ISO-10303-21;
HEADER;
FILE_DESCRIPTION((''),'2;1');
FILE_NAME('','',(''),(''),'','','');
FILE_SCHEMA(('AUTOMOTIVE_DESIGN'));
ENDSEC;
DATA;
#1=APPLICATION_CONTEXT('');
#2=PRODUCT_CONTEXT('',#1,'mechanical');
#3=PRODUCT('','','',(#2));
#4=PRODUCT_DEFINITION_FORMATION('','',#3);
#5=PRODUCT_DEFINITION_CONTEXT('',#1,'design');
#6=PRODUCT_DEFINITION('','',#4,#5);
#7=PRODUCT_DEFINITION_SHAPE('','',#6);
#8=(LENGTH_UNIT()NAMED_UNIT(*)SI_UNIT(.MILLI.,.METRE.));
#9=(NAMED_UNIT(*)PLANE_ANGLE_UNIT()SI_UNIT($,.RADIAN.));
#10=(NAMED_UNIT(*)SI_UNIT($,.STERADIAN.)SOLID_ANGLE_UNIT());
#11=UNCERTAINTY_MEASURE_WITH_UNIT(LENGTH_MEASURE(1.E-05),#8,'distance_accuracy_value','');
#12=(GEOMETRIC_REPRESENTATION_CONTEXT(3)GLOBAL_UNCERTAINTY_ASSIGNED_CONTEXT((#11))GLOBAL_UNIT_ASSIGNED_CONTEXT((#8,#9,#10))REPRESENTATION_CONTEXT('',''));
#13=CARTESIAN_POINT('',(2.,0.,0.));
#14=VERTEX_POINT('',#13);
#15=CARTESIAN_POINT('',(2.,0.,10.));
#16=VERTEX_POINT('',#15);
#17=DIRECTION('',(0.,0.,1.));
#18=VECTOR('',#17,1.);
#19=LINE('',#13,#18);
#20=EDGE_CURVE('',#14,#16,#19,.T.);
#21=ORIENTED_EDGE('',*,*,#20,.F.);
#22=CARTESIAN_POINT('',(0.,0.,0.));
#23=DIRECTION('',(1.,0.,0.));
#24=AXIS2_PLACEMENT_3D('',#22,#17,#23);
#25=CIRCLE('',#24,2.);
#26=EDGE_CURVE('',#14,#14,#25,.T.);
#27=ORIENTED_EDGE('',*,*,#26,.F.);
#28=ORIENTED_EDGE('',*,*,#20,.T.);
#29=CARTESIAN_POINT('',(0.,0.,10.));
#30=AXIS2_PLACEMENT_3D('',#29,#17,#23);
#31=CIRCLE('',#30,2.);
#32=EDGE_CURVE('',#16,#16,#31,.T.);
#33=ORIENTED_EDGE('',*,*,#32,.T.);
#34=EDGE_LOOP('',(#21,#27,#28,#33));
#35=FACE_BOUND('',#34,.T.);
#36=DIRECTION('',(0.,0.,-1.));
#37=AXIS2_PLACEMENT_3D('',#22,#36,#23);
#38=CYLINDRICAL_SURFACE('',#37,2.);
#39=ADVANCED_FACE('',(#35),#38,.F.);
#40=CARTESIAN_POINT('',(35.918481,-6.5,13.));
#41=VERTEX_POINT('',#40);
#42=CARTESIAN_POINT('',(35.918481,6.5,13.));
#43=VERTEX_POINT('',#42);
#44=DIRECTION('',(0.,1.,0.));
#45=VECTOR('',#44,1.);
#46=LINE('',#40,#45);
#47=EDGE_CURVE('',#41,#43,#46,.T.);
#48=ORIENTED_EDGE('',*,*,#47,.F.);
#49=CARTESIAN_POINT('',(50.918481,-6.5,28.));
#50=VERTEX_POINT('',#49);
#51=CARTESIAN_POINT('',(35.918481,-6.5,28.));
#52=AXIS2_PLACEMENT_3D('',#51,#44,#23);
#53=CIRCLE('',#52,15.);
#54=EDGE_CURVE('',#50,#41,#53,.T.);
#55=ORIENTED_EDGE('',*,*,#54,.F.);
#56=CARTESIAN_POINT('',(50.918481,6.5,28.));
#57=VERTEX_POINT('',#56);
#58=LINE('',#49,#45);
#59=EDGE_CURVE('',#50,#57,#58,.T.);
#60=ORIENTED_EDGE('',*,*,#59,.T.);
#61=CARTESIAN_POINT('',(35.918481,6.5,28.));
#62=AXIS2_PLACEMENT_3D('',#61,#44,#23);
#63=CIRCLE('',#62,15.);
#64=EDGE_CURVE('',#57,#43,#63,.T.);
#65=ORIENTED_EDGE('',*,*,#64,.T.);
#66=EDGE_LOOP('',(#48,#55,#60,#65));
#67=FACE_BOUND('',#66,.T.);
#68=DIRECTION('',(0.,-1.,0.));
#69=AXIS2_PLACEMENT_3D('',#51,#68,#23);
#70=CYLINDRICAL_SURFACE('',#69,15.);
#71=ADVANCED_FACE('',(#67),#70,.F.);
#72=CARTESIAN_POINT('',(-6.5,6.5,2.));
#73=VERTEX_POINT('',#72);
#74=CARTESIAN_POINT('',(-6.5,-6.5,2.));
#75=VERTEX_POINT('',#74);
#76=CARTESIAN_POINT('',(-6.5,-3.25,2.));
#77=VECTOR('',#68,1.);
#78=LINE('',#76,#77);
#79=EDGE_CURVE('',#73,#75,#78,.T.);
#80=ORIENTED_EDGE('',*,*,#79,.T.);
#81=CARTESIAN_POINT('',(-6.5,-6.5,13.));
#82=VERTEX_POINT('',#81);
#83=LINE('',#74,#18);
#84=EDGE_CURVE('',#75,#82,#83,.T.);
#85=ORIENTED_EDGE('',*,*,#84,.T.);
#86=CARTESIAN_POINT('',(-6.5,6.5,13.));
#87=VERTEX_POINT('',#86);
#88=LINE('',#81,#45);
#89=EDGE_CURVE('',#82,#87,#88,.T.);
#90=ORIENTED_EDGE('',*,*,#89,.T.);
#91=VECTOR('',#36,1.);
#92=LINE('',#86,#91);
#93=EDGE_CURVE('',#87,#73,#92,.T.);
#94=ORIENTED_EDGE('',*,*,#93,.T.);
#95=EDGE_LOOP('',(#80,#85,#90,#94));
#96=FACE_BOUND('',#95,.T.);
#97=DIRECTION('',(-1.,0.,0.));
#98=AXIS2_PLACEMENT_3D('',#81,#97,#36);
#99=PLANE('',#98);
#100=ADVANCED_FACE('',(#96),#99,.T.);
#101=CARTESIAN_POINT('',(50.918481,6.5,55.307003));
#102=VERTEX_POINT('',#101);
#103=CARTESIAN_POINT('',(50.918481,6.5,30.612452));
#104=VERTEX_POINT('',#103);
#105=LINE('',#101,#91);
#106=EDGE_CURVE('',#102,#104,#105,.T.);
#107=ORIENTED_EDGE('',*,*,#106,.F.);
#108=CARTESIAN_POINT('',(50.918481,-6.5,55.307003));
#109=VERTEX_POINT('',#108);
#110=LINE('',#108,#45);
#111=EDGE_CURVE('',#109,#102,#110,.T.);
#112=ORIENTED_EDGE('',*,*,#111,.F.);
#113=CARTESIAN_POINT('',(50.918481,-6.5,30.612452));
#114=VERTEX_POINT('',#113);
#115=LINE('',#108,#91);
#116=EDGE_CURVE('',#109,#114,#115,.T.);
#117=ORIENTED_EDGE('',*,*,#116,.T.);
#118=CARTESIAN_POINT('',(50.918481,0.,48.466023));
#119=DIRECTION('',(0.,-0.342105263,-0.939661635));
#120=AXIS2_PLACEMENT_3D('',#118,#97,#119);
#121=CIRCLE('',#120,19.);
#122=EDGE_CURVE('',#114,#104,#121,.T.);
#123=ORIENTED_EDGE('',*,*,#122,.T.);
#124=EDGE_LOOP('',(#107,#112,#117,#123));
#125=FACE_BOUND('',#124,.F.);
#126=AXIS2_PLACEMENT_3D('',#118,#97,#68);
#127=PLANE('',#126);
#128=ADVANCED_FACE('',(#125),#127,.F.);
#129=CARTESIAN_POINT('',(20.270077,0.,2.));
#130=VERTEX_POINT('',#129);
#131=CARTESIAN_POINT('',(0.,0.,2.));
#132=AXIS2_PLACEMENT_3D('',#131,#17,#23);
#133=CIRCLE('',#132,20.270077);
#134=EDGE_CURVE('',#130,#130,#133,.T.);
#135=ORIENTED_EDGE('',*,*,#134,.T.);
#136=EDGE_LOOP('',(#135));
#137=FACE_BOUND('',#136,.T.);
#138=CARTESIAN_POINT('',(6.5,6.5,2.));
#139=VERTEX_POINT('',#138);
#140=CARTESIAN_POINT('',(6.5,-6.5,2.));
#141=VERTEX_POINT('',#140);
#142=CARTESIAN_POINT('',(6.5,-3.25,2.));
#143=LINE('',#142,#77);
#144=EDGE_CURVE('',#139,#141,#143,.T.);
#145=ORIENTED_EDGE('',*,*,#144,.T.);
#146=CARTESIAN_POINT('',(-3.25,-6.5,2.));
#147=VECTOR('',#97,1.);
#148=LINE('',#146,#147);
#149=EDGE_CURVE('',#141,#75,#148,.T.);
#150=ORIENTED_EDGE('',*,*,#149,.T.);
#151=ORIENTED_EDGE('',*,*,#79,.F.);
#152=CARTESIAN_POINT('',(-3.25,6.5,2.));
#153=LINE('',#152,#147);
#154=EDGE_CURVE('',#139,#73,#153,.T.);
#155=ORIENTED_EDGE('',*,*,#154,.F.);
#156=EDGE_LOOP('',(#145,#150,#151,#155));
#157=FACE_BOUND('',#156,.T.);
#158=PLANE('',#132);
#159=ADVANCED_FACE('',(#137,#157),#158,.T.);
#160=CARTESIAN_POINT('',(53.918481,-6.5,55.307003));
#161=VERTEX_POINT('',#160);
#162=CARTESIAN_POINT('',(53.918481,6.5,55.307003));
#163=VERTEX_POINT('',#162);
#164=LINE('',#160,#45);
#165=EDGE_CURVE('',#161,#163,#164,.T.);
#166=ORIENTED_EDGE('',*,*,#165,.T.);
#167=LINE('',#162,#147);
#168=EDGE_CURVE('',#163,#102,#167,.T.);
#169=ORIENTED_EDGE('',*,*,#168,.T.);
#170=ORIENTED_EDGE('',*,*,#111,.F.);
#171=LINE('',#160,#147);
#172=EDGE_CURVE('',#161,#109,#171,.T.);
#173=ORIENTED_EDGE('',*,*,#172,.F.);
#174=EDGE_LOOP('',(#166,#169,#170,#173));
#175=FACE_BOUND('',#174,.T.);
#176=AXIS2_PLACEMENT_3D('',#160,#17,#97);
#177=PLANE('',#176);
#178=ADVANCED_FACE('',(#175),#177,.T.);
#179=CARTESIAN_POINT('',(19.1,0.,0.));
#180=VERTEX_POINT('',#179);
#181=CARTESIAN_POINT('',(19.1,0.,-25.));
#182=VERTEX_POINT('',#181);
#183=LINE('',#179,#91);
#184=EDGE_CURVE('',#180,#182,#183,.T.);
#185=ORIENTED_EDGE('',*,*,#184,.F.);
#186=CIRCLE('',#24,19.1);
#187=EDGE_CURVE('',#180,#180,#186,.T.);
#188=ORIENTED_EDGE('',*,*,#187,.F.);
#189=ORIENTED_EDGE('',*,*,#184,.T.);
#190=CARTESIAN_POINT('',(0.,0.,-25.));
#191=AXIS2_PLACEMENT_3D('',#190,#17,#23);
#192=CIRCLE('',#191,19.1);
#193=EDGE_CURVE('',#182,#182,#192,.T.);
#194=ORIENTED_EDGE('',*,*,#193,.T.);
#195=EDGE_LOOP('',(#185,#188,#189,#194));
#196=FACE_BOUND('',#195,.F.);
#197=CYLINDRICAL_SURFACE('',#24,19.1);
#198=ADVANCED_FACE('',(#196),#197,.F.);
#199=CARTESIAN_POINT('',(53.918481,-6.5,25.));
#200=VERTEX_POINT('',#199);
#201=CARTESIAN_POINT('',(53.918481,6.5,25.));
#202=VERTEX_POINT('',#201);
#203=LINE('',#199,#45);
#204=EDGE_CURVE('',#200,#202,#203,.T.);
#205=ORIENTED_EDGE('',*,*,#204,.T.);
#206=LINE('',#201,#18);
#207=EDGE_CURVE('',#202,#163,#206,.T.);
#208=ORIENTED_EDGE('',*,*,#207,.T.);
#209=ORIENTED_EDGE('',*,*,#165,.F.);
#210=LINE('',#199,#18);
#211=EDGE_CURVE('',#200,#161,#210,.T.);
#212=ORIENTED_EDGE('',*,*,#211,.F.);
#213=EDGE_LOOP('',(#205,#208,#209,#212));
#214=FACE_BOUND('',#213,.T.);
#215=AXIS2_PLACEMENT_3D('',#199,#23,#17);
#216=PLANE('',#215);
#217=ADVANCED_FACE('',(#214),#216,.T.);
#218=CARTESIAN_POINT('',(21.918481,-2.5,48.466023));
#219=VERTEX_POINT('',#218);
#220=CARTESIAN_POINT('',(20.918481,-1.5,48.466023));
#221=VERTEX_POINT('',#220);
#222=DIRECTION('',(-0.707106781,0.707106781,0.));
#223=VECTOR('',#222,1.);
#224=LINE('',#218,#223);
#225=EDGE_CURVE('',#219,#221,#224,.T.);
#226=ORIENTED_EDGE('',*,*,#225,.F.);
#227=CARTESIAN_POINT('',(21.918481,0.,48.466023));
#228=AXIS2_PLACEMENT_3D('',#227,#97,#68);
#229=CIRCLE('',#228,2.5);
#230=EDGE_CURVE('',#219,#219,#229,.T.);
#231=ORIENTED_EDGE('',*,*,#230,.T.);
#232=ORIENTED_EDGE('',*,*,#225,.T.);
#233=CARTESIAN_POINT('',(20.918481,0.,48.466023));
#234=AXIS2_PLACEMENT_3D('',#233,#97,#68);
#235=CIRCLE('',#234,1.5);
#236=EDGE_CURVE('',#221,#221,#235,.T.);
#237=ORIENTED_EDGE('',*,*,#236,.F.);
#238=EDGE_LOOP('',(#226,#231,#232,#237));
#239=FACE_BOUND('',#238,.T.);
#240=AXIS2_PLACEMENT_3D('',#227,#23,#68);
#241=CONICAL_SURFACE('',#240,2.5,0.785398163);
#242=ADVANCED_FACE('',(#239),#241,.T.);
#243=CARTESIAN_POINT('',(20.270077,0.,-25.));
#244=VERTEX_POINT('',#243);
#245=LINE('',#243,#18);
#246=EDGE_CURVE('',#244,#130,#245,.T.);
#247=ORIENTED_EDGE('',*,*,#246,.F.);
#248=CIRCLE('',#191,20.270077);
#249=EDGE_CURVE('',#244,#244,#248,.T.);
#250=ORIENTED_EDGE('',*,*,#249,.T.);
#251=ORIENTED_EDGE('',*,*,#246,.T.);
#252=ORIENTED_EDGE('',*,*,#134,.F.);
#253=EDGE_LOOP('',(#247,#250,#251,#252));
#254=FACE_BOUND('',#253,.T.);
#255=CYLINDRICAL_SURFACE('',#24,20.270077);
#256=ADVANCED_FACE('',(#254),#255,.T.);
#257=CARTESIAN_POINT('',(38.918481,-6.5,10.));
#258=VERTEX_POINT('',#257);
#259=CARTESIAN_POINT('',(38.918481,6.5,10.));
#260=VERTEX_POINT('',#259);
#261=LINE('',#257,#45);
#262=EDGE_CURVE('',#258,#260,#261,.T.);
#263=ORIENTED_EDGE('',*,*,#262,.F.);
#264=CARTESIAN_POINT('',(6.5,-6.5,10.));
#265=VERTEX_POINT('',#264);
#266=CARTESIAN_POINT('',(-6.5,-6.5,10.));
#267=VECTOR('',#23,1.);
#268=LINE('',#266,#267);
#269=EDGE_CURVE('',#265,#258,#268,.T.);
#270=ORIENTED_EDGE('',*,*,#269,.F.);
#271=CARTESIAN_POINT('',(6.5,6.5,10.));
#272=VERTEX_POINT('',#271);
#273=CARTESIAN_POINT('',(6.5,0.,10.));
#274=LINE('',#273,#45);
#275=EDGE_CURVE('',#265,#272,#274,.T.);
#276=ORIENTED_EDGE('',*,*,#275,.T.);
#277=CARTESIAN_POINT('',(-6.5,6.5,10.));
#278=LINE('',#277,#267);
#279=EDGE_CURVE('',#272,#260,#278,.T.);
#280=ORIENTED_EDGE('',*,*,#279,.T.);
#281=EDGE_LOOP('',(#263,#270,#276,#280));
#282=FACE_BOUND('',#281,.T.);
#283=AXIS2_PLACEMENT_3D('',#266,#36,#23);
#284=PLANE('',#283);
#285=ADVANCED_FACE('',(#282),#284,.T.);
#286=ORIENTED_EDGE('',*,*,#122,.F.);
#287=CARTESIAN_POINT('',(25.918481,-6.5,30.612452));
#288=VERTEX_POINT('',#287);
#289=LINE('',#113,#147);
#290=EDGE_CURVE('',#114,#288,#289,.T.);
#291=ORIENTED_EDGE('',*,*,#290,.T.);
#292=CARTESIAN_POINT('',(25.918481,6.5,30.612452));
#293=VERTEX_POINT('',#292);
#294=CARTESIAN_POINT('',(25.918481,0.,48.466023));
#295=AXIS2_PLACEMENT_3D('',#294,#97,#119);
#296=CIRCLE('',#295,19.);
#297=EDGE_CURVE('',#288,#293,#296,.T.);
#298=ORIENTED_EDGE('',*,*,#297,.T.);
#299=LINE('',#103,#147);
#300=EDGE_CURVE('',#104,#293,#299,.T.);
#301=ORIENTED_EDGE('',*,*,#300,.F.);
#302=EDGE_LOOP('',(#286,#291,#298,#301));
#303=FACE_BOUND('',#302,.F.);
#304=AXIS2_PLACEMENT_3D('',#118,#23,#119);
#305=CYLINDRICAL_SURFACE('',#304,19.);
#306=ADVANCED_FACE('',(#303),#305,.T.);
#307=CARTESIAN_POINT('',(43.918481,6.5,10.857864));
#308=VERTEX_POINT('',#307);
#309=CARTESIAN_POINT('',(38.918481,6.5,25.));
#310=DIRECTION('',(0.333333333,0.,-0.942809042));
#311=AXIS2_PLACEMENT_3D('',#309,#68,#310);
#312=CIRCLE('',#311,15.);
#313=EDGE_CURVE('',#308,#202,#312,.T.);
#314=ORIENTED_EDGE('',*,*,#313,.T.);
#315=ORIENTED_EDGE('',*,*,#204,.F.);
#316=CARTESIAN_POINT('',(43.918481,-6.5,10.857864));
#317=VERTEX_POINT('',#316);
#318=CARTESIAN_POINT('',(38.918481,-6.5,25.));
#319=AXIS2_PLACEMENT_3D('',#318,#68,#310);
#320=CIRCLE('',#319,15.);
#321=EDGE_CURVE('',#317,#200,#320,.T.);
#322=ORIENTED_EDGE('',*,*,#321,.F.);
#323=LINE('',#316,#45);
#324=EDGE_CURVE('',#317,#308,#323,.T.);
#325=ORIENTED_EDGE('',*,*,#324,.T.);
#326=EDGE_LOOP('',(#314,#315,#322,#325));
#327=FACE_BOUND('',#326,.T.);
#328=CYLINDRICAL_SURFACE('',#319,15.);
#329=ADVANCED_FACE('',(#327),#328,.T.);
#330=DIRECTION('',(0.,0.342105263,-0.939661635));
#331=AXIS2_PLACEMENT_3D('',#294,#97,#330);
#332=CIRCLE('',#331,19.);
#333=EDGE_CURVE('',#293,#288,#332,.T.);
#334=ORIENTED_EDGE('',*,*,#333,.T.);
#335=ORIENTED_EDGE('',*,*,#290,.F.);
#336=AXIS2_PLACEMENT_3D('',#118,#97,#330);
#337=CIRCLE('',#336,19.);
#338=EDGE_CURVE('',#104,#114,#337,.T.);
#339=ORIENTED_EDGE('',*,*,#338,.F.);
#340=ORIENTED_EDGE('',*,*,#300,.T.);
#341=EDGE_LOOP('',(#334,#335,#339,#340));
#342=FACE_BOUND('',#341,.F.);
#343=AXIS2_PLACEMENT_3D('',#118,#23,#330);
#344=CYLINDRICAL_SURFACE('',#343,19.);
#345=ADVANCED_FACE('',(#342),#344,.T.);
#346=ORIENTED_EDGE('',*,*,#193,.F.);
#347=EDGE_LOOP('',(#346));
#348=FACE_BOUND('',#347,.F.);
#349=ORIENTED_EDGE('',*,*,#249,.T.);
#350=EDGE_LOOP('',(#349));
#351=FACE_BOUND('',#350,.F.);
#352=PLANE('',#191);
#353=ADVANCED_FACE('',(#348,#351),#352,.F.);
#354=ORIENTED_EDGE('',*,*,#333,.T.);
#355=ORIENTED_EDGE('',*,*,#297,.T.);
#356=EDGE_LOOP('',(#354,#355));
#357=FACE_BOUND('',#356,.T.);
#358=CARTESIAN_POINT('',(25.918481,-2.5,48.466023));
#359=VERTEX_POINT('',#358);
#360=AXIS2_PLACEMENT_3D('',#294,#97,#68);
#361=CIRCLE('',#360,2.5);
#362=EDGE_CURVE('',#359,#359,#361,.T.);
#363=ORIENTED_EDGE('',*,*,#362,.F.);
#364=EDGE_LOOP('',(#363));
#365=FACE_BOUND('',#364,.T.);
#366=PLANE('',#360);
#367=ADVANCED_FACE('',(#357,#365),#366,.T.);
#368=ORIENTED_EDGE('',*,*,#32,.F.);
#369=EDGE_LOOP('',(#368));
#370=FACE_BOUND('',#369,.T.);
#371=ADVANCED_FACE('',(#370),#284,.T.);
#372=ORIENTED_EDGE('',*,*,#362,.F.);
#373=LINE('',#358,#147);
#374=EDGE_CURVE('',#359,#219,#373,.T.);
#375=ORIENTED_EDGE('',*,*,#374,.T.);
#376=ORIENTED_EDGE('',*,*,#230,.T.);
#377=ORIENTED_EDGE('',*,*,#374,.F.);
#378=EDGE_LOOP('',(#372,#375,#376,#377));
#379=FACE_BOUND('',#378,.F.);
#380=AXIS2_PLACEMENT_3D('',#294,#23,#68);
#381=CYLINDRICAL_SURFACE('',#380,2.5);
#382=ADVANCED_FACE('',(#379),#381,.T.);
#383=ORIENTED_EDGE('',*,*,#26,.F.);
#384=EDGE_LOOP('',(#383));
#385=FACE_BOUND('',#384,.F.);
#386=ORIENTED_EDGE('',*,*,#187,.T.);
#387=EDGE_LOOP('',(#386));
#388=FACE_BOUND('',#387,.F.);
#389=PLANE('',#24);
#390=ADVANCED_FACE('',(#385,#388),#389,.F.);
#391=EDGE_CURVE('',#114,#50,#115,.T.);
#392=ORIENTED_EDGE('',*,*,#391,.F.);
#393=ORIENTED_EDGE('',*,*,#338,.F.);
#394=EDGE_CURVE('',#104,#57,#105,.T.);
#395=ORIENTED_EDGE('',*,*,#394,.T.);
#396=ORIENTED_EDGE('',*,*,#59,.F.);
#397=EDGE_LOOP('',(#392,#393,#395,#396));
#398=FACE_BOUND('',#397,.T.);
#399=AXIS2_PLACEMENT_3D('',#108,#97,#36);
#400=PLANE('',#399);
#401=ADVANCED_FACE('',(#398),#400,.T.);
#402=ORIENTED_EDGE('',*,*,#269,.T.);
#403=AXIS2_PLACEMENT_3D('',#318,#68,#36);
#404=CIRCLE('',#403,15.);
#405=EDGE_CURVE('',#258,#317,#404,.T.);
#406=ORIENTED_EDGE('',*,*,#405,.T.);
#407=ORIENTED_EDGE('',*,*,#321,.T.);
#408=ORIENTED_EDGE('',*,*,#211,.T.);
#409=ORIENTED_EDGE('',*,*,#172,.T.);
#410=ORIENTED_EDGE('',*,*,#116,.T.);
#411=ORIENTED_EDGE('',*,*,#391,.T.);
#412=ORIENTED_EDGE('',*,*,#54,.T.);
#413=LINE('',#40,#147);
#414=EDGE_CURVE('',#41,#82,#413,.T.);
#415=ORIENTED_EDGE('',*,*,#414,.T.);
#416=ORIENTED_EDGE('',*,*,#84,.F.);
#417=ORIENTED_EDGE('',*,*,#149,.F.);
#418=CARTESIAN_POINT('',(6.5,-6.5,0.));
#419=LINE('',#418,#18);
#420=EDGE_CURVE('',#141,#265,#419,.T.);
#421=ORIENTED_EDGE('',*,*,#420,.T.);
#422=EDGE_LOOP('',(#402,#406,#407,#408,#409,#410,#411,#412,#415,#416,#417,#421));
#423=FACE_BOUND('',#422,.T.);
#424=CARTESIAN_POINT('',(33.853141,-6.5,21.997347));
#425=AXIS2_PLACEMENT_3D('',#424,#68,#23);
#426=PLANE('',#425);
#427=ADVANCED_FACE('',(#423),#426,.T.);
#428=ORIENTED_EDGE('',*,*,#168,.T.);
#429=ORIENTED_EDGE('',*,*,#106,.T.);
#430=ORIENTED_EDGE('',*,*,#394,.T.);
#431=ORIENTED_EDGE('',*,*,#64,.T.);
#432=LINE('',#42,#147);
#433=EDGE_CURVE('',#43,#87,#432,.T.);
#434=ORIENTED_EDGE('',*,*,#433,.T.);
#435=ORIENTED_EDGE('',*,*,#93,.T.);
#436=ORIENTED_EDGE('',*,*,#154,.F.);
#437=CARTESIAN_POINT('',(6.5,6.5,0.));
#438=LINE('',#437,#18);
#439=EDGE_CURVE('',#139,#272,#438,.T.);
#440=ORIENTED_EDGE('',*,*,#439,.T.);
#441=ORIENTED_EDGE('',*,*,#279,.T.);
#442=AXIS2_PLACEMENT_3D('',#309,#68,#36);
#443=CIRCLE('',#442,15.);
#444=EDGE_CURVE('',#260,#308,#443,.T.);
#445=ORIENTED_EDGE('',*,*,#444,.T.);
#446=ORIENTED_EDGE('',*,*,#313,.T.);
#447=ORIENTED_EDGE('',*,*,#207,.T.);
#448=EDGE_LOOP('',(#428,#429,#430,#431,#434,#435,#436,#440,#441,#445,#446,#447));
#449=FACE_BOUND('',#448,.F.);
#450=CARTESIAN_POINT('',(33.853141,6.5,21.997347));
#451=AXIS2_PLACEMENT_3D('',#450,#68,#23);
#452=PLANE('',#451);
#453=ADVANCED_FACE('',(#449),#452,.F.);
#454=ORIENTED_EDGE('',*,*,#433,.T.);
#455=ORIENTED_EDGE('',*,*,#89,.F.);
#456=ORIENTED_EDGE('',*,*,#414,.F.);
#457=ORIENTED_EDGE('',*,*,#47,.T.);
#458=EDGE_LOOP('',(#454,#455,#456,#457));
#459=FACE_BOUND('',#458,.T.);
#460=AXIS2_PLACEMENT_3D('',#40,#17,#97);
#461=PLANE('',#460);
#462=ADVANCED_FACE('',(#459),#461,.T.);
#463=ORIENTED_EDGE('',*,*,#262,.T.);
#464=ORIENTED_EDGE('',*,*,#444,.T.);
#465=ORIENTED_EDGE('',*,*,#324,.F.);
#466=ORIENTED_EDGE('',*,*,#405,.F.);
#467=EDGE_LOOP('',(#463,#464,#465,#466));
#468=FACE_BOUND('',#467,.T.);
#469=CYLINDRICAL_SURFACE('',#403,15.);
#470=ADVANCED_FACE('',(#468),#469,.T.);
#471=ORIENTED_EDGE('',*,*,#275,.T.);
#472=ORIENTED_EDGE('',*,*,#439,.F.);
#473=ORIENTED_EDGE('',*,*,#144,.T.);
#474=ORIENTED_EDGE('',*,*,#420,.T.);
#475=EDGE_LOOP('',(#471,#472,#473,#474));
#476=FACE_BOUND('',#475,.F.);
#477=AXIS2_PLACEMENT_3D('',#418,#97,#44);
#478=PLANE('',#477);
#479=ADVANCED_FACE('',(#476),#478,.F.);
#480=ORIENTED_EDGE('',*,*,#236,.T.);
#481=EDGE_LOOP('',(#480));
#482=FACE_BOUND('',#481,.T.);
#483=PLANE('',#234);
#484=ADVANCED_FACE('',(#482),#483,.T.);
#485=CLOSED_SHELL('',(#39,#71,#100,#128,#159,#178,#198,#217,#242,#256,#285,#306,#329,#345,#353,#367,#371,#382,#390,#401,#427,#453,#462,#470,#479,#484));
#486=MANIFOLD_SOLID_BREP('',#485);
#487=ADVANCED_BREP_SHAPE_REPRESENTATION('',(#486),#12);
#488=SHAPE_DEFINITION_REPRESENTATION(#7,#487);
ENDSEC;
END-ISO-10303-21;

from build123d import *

# Parameters (mm, degrees)
F0_R      = 20.2700767199
F0_R_2    = 19.1
F1_DEPTH  = 25
F0_R_3    = 2
F2_DEPTH  = 2
F4_DEPTH  = 5
F3_W      = 13
F3_H      = 13
F3_R      = 2
F5_DEPTH  = 10
F7_DEPTH  = 13
F8_R      = 19
F9_DEPTH  = 25
F10_R     = 2.5
F11_DEPTH = 5
F12_SIZE  = 1


with BuildPart() as f1:
    # F0 (on Top) → F1 (new body)
    with BuildSketch(Plane.XY):
        Circle(F0_R)
        Circle(F0_R_2, mode=Mode.SUBTRACT)
    extrude(amount=-F1_DEPTH)

    # F0 (on Top) → F2 (join)
    with BuildSketch(Plane.XY):
        Circle(F0_R)
        Circle(F0_R_2, mode=Mode.SUBTRACT)
        Circle(F0_R_2)
        Circle(F0_R_3, mode=Mode.SUBTRACT)
    extrude(amount=F2_DEPTH)

    # F0 (on Top) → F4 (cut)
    with BuildSketch(Plane.XY):
        Circle(F0_R_3)
    extrude(amount=F4_DEPTH, mode=Mode.SUBTRACT)

    # F3 (on face) → F5 (join)
    with BuildSketch(Plane.XY):
        Rectangle(F3_W, F3_H)
        Circle(F3_R, mode=Mode.SUBTRACT)
    extrude(amount=F5_DEPTH)

    # F6 (on face) → F7 (join)
    with BuildSketch(Plane.XZ.offset(6.5)):
        with BuildLine():
            Line((-6.5, 13), (-6.5, 10))
            Line((-6.5, 10), (6.5, 10))
            Line((6.5, 10), (38.9184806049, 10))
            ThreePointArc((38.9184806049, 10), (41.4550102858, 10.2160216052), (43.9184806049, 10.8578643763))
            ThreePointArc((43.9184806049, 10.8578643763), (51.1659293188, 16.3397459622), (53.9184806049, 25))
            Line((53.9184806049, 25), (53.9184806049, 55.3070029616))
            Line((53.9184806049, 55.3070029616), (50.9184806049, 55.3070029616))
            Line((50.9184806049, 55.3070029616), (50.9184806049, 28))
            ThreePointArc((50.9184806049, 28), (46.5250823227, 17.3933982822), (35.9184806049, 13))
            Line((35.9184806049, 13), (-6.5, 13))
        make_face()
    extrude(amount=-F7_DEPTH)

    # F8 (on face) → F9 (join)
    with BuildSketch(Plane(origin=(50.9184806049, 0, 0), x_dir=(0, -1, 0), z_dir=(-1, 0, 0))):
        with Locations((0, 48.4660230577)):
            Circle(F8_R)
        with BuildLine():
            Line((-6.5, 55.3070029616), (-6.5, 30.6124519863))
            ThreePointArc((-6.5, 30.6124519863), (0, 29.4660230577), (6.5, 30.6124519863))
            Line((6.5, 30.6124519863), (6.5, 55.3070029616))
            Line((6.5, 55.3070029616), (-6.5, 55.3070029616))
        make_face()
    extrude(amount=F9_DEPTH)

    # F10 (on face) → F11 (join)
    with BuildSketch(Plane(origin=(25.9184806049, 0, 0), x_dir=(0, -1, 0), z_dir=(-1, 0, 0))):
        with Locations((0, 48.4660230577)):
            Circle(F10_R)
    extrude(amount=F11_DEPTH)

    # F12
    f12_edges = [f1.edges().sort_by_distance(p)[0] for p in [
        (20.918481, 2.5, 48.466023),
    ]]
    chamfer(f12_edges, length=F12_SIZE)


solid = f1.part
